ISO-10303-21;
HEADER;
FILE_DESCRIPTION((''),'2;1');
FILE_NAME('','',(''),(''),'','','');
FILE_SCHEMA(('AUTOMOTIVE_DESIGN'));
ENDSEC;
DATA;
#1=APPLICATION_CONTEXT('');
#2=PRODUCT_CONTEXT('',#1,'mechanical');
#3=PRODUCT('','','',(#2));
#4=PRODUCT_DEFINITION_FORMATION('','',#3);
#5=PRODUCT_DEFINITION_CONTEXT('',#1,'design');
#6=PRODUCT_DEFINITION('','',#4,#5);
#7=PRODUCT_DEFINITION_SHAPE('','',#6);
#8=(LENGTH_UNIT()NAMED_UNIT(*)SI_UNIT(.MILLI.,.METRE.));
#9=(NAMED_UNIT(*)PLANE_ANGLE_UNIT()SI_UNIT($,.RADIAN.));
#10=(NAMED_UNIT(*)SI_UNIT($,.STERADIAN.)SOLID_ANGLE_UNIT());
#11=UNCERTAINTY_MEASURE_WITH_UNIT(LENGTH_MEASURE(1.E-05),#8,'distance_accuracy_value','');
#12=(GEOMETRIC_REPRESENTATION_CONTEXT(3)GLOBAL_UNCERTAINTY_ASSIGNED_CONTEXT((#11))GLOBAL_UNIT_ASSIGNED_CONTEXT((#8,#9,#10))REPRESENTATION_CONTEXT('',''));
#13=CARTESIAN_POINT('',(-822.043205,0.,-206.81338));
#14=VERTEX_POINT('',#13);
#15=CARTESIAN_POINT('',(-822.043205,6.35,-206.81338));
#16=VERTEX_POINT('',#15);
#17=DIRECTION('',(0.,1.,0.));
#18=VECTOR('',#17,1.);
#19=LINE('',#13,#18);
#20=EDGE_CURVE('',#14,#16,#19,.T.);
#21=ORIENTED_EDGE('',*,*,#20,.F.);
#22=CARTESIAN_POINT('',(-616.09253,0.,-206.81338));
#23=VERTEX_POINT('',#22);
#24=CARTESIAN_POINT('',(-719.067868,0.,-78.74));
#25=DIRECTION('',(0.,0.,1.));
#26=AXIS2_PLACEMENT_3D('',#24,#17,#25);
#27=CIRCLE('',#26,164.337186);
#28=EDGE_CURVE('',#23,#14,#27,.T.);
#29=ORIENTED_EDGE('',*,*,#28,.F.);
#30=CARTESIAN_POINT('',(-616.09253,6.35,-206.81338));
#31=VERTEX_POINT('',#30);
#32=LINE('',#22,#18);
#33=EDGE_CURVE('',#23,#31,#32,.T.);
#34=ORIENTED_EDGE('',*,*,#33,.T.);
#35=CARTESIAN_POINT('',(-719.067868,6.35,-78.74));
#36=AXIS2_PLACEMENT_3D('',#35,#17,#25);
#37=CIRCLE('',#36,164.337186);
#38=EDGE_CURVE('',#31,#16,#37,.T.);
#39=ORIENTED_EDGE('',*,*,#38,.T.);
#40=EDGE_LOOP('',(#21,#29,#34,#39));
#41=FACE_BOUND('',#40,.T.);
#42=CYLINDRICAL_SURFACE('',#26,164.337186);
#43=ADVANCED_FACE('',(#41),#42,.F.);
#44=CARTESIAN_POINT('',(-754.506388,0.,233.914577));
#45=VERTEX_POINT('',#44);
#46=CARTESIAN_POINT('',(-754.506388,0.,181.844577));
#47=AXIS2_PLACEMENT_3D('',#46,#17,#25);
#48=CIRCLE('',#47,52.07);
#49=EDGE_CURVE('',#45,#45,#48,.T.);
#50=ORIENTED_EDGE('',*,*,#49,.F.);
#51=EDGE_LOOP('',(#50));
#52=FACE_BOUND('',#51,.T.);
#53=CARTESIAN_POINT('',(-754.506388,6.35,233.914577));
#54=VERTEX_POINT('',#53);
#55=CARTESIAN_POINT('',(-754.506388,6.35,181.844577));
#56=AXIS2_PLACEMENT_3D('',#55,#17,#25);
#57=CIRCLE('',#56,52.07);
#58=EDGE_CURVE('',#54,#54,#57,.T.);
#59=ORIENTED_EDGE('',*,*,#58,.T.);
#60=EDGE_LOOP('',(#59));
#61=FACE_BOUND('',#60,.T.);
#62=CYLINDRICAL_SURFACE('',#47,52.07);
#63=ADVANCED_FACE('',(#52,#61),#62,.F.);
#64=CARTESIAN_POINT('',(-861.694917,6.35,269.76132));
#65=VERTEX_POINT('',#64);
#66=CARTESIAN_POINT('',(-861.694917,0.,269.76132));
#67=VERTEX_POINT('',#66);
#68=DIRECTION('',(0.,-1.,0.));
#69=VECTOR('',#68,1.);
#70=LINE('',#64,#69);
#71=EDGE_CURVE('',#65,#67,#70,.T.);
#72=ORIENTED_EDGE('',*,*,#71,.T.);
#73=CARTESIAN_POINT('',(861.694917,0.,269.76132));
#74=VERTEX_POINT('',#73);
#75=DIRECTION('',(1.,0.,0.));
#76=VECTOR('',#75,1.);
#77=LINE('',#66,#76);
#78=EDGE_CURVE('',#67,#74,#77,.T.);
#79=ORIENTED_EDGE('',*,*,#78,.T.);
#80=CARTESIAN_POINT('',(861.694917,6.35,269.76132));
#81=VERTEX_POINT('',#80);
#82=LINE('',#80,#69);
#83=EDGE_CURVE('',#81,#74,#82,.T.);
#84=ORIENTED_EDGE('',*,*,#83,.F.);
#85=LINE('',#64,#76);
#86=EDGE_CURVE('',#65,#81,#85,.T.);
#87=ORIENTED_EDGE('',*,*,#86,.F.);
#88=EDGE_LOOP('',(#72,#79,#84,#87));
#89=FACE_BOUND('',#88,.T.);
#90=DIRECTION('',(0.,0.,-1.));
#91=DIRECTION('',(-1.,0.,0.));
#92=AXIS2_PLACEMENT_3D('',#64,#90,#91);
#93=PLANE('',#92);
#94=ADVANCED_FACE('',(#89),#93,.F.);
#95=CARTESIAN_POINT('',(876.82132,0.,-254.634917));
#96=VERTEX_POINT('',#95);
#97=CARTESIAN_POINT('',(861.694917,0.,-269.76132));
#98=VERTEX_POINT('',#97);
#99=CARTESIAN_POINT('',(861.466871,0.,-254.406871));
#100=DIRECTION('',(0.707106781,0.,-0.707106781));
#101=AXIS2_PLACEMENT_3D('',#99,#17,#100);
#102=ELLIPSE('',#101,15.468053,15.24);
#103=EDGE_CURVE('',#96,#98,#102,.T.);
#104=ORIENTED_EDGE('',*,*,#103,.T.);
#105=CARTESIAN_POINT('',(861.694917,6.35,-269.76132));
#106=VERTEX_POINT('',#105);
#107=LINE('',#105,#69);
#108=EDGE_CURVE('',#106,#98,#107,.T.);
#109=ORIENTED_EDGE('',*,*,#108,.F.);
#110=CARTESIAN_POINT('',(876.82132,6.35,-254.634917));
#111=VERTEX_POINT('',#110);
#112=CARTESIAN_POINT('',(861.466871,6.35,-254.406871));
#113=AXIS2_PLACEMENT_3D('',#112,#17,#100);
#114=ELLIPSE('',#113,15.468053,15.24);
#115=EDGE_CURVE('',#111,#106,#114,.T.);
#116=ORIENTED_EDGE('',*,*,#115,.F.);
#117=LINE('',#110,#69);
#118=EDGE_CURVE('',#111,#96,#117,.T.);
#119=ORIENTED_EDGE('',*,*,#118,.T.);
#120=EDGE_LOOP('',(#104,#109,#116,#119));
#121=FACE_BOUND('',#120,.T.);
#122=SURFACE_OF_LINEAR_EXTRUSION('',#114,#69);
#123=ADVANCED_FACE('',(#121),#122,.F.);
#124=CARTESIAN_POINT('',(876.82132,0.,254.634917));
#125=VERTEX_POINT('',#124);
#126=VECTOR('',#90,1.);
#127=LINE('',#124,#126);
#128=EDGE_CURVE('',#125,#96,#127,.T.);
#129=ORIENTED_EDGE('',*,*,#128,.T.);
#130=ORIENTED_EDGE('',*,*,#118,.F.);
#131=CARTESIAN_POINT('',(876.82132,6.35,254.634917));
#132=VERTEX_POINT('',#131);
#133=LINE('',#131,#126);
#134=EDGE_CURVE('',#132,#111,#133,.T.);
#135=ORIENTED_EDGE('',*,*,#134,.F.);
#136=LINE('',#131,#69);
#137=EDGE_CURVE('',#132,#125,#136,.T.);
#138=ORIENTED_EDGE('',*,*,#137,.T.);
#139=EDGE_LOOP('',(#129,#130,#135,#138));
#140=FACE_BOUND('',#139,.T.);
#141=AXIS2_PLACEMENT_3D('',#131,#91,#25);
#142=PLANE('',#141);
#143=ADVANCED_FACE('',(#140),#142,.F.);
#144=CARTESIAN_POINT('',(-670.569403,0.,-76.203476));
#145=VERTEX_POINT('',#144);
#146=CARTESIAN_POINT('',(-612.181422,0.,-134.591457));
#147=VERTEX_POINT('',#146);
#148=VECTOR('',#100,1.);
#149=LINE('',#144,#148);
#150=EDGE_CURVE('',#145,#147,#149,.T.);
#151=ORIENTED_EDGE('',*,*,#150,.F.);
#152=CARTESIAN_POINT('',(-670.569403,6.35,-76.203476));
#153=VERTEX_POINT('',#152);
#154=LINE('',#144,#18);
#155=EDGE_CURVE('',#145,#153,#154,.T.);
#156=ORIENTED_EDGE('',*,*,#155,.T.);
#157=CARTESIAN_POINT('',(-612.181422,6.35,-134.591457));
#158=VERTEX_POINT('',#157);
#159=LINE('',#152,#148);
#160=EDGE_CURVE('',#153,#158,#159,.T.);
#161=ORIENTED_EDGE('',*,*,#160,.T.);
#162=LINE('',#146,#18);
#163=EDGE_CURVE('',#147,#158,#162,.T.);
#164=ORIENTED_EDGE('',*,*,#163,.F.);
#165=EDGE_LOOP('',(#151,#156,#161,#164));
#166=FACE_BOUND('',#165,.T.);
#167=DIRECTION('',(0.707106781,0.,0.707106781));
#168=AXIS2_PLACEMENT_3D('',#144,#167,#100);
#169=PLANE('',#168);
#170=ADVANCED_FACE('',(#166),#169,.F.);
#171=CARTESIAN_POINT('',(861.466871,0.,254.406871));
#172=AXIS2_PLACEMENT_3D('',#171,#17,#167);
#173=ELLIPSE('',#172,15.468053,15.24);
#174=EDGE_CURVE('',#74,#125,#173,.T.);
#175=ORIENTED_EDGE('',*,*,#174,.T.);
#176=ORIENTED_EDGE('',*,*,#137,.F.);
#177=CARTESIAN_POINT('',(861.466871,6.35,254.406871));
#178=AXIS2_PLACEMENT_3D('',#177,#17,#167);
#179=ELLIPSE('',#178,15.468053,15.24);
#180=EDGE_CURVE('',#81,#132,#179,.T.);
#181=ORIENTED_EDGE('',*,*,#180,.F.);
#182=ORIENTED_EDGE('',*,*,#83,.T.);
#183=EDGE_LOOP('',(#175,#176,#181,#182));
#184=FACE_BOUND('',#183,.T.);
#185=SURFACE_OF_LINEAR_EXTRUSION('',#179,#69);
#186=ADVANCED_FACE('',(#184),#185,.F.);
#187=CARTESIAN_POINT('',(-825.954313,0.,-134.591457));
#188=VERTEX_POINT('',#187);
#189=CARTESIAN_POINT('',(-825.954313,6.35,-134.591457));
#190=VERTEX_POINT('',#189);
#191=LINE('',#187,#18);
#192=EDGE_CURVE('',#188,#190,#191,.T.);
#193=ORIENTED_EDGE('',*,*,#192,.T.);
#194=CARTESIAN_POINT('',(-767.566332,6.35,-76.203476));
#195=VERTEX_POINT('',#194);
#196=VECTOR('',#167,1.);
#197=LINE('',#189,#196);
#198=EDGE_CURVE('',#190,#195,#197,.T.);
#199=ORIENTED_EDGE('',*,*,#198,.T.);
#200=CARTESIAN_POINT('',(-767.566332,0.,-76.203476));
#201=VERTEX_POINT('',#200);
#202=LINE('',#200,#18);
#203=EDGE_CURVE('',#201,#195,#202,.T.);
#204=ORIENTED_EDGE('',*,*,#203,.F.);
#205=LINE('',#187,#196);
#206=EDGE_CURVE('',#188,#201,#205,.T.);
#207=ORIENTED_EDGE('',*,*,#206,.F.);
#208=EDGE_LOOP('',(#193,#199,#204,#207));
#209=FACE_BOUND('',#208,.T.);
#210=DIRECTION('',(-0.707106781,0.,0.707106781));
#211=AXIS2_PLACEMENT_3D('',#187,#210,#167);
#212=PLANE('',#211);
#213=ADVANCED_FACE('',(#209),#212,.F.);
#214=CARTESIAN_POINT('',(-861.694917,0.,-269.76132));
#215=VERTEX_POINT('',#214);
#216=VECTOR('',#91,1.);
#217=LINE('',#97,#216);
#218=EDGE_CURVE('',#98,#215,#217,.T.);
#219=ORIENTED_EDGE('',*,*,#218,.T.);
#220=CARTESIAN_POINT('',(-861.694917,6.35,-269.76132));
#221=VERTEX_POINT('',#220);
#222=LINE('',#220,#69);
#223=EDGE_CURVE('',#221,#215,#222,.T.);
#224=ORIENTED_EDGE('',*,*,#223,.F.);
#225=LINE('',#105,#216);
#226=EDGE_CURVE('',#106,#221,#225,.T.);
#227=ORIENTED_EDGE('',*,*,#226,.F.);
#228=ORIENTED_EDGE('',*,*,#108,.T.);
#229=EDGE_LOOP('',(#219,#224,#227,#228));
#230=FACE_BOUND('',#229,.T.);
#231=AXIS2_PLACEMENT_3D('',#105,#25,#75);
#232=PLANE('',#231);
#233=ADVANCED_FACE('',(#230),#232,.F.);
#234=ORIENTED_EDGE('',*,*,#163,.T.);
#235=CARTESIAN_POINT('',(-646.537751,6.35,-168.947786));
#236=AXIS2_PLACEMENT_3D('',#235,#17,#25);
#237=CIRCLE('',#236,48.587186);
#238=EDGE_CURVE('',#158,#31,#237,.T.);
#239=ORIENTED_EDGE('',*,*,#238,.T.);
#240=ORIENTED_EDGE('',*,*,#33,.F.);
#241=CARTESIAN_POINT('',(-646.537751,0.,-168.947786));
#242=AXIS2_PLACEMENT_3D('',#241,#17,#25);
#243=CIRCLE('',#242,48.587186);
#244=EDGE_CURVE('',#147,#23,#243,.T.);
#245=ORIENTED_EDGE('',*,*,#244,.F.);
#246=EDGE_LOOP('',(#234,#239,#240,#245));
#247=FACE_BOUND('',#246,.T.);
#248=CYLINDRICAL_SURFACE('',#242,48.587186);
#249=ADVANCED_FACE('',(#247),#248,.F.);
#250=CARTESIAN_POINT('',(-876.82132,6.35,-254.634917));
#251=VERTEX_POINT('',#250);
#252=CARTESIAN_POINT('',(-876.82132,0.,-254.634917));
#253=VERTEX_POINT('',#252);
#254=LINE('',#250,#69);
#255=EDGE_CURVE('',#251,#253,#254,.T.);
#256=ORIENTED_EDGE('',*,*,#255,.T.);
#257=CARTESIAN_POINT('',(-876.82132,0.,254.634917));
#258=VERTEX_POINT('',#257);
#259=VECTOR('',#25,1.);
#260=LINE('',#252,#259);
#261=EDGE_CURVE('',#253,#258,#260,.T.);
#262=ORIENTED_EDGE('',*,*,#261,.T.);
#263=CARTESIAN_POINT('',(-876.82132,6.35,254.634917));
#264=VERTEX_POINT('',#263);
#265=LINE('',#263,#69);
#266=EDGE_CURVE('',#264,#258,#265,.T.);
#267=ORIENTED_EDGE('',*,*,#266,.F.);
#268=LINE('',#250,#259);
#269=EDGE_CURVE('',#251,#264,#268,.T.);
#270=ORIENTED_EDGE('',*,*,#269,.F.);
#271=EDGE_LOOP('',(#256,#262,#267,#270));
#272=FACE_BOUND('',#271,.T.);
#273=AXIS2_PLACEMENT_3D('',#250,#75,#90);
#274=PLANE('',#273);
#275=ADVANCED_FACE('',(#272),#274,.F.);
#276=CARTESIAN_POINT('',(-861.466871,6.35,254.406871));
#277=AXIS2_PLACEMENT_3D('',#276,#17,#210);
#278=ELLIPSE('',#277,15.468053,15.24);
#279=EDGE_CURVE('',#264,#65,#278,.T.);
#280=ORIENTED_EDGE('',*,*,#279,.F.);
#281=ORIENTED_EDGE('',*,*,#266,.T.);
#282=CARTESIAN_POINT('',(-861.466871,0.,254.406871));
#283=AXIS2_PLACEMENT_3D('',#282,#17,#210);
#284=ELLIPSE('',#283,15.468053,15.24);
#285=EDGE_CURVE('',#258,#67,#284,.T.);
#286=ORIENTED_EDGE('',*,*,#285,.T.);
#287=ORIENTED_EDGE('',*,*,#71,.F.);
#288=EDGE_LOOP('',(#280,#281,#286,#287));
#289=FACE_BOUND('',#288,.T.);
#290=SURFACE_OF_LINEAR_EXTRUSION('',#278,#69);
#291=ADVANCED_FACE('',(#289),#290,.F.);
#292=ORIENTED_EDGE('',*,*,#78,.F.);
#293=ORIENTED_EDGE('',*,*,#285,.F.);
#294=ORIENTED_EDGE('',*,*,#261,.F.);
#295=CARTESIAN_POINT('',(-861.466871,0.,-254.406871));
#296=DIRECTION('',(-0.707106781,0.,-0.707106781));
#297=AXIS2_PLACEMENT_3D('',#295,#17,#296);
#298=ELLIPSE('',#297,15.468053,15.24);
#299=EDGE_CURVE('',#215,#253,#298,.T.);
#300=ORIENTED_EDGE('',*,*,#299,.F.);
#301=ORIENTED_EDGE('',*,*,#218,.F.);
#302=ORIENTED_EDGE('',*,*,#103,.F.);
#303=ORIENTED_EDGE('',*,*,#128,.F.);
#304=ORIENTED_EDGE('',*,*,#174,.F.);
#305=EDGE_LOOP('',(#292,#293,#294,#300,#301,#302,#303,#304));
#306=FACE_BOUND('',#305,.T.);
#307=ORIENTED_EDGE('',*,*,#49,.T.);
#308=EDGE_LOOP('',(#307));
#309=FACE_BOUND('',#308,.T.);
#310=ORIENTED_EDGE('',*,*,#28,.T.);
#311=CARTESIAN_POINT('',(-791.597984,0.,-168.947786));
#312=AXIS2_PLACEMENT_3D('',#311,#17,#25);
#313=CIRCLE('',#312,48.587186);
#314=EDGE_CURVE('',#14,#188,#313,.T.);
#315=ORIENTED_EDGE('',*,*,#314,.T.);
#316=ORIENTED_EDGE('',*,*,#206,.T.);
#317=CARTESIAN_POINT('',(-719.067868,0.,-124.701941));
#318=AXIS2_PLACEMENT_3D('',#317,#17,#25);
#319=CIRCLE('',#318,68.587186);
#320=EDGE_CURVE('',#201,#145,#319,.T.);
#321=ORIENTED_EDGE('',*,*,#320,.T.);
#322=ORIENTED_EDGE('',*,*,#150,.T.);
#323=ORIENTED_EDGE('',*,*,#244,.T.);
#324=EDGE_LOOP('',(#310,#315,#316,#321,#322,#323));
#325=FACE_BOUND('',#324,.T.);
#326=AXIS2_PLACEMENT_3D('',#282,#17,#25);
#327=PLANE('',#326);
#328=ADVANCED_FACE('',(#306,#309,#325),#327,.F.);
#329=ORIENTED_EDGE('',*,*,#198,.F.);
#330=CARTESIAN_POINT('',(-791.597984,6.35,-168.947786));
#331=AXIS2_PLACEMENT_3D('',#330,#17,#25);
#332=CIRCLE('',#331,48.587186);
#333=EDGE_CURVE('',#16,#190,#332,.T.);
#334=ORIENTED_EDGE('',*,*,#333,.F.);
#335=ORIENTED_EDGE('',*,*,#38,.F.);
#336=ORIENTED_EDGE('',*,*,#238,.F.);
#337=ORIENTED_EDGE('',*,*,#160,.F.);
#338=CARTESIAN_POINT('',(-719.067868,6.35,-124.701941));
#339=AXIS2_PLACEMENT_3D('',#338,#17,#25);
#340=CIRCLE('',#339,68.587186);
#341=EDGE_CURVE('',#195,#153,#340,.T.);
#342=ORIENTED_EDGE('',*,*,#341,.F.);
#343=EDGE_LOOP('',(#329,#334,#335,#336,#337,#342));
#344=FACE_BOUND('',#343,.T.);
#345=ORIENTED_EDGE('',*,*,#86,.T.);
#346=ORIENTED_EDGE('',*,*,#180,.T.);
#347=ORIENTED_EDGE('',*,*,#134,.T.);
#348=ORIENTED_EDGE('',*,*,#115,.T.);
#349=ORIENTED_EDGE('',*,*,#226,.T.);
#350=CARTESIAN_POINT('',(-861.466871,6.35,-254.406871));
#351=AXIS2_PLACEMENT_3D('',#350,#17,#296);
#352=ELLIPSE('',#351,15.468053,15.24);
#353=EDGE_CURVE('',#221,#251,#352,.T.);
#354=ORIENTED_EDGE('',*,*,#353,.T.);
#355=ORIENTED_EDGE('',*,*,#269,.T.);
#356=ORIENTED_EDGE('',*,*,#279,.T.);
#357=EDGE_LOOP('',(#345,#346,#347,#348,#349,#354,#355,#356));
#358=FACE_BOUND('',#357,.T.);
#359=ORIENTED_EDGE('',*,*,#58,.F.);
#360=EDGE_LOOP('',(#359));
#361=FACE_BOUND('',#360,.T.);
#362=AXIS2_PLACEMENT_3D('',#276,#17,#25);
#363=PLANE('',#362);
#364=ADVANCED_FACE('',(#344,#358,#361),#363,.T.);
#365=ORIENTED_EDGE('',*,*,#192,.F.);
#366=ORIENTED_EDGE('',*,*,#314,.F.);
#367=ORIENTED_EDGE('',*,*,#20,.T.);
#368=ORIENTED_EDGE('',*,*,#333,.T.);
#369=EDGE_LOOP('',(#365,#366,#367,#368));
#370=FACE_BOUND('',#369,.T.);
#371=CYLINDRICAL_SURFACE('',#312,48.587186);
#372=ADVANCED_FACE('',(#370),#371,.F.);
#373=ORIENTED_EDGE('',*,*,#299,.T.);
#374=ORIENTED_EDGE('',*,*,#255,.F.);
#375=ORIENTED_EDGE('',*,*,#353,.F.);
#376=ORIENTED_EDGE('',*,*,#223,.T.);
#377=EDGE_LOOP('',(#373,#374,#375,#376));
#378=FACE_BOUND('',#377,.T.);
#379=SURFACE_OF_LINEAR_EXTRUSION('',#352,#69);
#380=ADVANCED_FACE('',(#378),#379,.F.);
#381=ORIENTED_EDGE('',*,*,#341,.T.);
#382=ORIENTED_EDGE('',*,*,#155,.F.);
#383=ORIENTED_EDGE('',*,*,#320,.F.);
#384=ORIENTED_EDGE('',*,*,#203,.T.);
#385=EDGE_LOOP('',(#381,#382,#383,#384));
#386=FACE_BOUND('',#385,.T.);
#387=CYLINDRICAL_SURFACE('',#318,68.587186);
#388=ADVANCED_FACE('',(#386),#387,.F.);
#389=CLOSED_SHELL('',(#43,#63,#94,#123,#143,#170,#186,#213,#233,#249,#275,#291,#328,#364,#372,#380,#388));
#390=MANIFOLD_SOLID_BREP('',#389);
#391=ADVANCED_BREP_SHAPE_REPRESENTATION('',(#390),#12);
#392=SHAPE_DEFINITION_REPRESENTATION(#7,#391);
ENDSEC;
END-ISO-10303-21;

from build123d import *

# Parameters (mm, degrees)
BOSS_EXTRUDE1_DEPTH = 6.35
CUT_EXTRUDE1_DEPTH  = 918.402376548
SKETCH3_R           = 52.07
CUT_EXTRUDE2_DEPTH  = 918.402376548


with BuildPart() as part:
    # Sketch1 → Boss-Extrude1 (new body)
    with BuildSketch(Plane(origin=(0, 0, 0), x_dir=(1, 0, 0), z_dir=(0, 1, 0))):
        with BuildLine():
            Line((-861.694916994, -269.761320345), (861.694916994, -269.761320345))
            add(Edge.make_bspline(
                [(861.694916994, -269.761320345), (876.821320345, -269.761320345), (876.821320345, -254.634916994)],
                knots=[5.505213485, 5.505213485, 5.505213485, 7.061157129, 7.061157129, 7.061157129], degree=2, weights=[1, 0.712338451, 1]))
            Line((876.821320345, -254.634916994), (876.821320345, 254.634916994))
            add(Edge.make_bspline(
                [(876.821320345, 254.634916994), (876.821320345, 269.761320345), (861.694916994, 269.761320345)],
                knots=[5.505213485, 5.505213485, 5.505213485, 7.061157129, 7.061157129, 7.061157129], degree=2, weights=[1, 0.712338451, 1]))
            Line((861.694916994, 269.761320345), (-861.694916994, 269.761320345))
            add(Edge.make_bspline(
                [(-861.694916994, 269.761320345), (-876.821320345, 269.761320345), (-876.821320345, 254.634916994)],
                knots=[5.505213485, 5.505213485, 5.505213485, 7.061157129, 7.061157129, 7.061157129], degree=2, weights=[1, 0.712338451, 1]))
            Line((-876.821320345, 254.634916994), (-876.821320345, -254.634916994))
            add(Edge.make_bspline(
                [(-876.821320345, -254.634916994), (-876.821320345, -269.761320345), (-861.694916994, -269.761320345)],
                knots=[5.505213485, 5.505213485, 5.505213485, 7.061157129, 7.061157129, 7.061157129], degree=2, weights=[1, 0.712338451, 1]))
        make_face()
    extrude(amount=BOSS_EXTRUDE1_DEPTH)

    # Sketch2 → Cut-Extrude1 (cut, through all)
    with BuildSketch(Plane(origin=(0, 6.35, 0), x_dir=(1, 0, 0), z_dir=(0, 1, 0))):
        with BuildLine():
            Line((-825.954313113, 134.591457199), (-767.566332113, 76.203476199))
            ThreePointArc((-767.566332113, 76.203476199), (-719.067867535, 56.114754417), (-670.569402958, 76.203476199))
            Line((-670.569402958, 76.203476199), (-612.181421958, 134.591457199))
            ThreePointArc((-612.181421958, 134.591457199), (-598.021653058, 171.575128433), (-616.092530237, 206.813380252))
            ThreePointArc((-616.092530237, 206.813380252), (-719.067867535, 243.07718636), (-822.043204833, 206.813380252))
            ThreePointArc((-822.043204833, 206.813380252), (-840.114082012, 171.575128433), (-825.954313113, 134.591457199))
        make_face()
    extrude(amount=-CUT_EXTRUDE1_DEPTH, mode=Mode.SUBTRACT)

    # Sketch3 → Cut-Extrude2 (cut, through all)
    with BuildSketch(Plane(origin=(0, 6.35, 0), x_dir=(1, 0, 0), z_dir=(0, 1, 0))):
        with Locations((-754.506388348, -181.844577047)):
            Circle(SKETCH3_R)
    extrude(amount=-CUT_EXTRUDE2_DEPTH, mode=Mode.SUBTRACT)


solid = part.part
